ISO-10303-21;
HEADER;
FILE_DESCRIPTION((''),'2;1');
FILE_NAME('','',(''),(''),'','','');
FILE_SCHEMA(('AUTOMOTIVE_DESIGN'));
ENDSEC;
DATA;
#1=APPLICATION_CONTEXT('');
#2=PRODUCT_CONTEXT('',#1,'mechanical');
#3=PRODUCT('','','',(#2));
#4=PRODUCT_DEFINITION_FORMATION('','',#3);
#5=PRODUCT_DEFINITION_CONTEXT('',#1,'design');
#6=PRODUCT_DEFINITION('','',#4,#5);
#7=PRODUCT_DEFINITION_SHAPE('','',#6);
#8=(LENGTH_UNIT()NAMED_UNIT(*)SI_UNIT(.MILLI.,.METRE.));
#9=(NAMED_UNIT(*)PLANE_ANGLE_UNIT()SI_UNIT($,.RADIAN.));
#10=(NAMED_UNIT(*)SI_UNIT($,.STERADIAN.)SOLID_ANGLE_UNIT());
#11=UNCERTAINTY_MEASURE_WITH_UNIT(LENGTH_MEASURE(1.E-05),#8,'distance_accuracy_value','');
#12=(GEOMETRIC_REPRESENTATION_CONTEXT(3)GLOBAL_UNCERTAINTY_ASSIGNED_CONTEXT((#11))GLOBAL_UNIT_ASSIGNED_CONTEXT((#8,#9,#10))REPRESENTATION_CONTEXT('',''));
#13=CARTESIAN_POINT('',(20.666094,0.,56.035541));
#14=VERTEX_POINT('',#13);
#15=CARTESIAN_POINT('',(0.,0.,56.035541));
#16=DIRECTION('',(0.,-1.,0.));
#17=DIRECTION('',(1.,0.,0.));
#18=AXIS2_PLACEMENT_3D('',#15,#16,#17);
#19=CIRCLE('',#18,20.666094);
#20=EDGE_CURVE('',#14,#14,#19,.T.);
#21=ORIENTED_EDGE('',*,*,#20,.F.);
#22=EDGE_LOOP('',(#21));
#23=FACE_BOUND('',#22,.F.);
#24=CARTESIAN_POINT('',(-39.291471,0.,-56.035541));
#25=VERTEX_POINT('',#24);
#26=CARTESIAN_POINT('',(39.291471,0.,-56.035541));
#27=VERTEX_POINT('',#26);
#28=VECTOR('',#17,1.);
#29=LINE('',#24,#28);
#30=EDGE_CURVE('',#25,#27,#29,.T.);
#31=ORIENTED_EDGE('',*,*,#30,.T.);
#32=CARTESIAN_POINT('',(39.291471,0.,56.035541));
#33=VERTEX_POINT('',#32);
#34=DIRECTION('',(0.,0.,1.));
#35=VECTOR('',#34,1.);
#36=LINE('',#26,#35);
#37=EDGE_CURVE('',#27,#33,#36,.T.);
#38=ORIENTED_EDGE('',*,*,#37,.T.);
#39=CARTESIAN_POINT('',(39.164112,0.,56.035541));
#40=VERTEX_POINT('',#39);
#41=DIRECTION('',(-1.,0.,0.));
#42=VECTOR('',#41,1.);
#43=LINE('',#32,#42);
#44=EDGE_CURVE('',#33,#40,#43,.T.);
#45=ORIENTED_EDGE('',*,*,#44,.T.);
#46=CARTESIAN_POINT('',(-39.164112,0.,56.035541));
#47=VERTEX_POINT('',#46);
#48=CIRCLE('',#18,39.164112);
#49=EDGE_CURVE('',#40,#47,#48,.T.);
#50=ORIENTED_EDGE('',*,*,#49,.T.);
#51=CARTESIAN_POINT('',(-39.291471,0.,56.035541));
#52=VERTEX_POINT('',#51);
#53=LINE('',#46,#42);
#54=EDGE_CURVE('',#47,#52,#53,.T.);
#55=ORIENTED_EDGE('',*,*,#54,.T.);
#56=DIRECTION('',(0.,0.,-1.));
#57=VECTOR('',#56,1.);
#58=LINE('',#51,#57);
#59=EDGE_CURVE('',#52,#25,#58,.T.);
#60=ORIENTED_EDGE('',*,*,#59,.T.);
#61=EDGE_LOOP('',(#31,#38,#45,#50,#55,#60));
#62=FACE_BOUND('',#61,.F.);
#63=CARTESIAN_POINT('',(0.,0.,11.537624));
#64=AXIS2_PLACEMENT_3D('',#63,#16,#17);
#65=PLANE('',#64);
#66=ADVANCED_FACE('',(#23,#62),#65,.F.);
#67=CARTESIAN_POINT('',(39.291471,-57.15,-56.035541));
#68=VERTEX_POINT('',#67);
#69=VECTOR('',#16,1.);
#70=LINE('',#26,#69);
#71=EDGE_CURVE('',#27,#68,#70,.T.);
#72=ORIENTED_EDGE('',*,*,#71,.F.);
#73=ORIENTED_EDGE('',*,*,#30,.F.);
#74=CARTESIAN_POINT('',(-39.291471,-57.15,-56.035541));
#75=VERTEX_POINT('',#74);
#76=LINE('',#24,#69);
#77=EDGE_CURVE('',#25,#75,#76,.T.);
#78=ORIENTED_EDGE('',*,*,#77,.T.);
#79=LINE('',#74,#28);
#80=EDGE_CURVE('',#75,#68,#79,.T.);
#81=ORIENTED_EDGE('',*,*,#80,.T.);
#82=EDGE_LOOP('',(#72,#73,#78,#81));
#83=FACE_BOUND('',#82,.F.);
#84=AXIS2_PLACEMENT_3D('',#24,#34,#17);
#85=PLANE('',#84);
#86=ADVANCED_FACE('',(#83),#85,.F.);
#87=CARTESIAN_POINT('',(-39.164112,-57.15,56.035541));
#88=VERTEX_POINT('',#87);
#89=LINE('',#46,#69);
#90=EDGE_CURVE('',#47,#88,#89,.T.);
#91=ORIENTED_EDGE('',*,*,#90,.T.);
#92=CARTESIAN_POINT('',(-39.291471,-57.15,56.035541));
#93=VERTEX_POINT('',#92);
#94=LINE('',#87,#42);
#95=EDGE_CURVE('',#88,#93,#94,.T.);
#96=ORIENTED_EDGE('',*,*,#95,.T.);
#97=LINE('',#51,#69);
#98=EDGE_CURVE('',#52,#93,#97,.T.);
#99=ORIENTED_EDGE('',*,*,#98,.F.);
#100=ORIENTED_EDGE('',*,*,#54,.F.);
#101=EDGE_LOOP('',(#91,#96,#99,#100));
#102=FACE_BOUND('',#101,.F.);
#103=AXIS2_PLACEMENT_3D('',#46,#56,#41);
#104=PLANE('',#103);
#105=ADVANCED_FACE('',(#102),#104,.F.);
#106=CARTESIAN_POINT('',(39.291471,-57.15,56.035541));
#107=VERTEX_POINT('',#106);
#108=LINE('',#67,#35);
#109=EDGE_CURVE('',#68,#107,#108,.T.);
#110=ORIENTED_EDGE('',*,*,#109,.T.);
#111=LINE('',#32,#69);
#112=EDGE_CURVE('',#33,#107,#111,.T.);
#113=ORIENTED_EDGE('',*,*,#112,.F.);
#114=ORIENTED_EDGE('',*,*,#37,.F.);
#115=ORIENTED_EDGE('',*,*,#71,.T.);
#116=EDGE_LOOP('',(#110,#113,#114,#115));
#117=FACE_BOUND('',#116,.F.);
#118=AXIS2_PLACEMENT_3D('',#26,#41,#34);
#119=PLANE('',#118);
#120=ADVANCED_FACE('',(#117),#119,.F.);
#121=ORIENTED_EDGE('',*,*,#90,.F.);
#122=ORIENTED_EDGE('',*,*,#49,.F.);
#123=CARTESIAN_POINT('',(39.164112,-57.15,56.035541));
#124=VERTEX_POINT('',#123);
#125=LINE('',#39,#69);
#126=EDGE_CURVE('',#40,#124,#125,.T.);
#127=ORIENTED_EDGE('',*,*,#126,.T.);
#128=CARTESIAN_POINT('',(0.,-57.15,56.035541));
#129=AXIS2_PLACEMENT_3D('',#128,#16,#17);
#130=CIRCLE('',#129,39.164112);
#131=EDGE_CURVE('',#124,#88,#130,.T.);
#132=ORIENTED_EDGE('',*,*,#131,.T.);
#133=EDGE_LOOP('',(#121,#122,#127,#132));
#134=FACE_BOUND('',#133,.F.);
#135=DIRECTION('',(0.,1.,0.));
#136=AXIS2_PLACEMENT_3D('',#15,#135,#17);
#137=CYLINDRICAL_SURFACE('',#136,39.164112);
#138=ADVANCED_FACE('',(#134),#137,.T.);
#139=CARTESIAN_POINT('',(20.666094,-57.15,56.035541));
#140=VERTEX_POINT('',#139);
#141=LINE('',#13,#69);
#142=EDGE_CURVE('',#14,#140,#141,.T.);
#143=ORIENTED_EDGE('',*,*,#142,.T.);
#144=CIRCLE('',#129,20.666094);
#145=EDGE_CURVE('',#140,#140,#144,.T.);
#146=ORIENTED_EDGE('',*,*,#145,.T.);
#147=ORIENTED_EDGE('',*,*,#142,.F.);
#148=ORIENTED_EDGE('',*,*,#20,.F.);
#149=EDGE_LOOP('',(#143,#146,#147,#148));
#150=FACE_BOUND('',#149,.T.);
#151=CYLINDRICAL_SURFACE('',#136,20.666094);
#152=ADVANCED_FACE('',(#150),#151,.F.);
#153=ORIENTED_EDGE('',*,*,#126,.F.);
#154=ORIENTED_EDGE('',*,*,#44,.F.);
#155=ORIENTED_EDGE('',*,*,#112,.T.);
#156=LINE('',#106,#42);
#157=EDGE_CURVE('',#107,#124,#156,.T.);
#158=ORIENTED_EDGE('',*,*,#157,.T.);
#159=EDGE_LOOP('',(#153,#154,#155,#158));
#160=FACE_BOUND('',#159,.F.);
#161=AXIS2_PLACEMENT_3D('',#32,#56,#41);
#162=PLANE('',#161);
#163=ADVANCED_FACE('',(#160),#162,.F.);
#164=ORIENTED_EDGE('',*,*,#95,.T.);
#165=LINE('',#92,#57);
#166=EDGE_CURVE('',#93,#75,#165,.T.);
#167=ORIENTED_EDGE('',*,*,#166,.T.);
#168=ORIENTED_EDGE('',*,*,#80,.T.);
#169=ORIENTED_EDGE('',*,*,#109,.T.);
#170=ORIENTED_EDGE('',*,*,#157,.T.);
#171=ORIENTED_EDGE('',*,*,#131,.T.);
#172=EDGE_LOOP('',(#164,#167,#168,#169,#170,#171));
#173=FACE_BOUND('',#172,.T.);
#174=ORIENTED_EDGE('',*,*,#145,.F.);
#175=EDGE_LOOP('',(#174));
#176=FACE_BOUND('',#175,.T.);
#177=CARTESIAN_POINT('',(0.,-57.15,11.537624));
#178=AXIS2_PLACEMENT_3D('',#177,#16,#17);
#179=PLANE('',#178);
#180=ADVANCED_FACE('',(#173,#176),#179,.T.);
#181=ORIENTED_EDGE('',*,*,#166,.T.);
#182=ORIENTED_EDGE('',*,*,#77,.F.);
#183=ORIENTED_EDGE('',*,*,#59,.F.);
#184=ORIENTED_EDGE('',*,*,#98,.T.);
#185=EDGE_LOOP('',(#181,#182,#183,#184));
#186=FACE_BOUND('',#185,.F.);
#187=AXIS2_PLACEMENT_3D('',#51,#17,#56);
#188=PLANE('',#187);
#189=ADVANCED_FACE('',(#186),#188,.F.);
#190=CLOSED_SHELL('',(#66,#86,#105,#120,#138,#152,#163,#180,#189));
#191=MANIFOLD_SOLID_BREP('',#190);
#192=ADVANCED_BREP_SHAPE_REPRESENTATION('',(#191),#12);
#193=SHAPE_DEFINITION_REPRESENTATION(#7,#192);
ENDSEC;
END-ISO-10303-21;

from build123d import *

# Parameters (mm, degrees)
F0_R     = 20.666094
F1_DEPTH = 57.15


with BuildPart() as f1:
    # F0 (on Front) → F1 (new body)
    with BuildSketch(Plane.XZ):
        with BuildLine():
            Line((-39.291471, -56.035541), (39.291471, -56.035541))
            Line((39.291471, -56.035541), (39.291471, 56.035541))
            Line((39.291471, 56.035541), (39.164112, 56.035541))
            ThreePointArc((39.164112, 56.035541), (0, 95.199653), (-39.164112, 56.035541))
            Line((-39.164112, 56.035541), (-39.291471, 56.035541))
            Line((-39.291471, 56.035541), (-39.291471, -56.035541))
        make_face()
        with Locations((0, 56.035541)):
            Circle(F0_R, mode=Mode.SUBTRACT)
    extrude(amount=F1_DEPTH)


solid = f1.part
